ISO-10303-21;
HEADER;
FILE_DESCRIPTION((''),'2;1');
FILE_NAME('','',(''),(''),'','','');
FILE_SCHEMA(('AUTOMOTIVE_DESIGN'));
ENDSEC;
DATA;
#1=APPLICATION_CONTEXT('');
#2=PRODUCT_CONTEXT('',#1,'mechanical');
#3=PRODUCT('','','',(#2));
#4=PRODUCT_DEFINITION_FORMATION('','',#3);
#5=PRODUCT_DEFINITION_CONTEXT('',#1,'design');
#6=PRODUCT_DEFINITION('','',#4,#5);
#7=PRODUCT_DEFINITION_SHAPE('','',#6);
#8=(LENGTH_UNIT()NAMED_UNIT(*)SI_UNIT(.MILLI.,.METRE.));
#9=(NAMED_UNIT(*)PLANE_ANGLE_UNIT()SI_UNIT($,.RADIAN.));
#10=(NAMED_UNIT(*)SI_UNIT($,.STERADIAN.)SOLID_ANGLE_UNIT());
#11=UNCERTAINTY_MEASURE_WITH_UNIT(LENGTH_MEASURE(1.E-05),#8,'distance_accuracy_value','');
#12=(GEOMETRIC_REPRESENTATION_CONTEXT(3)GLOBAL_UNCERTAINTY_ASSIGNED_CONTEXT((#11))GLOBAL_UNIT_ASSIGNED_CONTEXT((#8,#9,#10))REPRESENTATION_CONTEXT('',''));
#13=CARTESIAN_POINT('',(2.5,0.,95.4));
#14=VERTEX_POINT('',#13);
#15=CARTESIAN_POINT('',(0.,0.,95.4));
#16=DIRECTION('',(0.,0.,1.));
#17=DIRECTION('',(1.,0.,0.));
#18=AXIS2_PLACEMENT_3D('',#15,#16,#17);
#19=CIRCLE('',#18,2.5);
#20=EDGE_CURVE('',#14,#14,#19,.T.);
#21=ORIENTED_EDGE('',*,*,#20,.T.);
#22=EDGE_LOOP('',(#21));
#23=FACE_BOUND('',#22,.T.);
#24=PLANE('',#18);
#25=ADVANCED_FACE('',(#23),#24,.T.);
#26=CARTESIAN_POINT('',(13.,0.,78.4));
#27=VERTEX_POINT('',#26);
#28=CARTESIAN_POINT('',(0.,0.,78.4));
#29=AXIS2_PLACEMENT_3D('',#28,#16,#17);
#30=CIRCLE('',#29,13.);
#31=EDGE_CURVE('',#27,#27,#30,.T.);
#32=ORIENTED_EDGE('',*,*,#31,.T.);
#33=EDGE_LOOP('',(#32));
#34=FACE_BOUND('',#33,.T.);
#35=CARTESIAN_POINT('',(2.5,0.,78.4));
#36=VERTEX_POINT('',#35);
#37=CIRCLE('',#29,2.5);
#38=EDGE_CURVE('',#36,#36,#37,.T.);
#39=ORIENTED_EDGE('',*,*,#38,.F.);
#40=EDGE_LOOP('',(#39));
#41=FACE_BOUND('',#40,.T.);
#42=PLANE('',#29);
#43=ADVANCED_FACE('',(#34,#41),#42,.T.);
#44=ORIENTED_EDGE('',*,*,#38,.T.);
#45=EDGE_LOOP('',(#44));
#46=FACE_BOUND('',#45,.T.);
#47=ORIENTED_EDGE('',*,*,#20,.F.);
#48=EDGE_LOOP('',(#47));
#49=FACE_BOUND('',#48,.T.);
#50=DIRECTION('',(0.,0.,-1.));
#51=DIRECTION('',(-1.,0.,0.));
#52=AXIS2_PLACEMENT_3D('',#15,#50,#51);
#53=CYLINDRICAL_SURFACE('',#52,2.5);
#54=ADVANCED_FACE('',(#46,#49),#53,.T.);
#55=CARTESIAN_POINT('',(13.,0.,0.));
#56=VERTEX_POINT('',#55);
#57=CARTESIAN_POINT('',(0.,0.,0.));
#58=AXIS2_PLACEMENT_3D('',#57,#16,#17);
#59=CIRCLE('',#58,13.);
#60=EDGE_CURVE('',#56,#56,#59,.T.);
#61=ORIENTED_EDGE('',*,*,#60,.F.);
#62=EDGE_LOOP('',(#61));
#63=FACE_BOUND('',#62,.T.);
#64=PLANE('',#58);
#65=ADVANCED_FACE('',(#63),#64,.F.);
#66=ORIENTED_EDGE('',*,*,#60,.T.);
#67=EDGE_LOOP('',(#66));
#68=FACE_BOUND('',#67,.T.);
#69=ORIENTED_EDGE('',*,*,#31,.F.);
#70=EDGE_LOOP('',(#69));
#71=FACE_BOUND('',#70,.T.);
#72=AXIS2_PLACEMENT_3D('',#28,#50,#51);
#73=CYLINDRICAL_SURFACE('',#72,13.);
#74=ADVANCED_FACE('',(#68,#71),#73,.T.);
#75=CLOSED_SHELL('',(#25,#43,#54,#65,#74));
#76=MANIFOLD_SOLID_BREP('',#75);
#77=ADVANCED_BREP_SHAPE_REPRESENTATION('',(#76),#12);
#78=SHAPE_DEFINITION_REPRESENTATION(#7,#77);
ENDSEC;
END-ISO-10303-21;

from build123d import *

# Parameters (mm, degrees)
ESQUISSE1_R        = 13
BOSS_EXTRU_1_DEPTH = 78.4
ESQUISSE2_R        = 2.5
BOSS_EXTRU_2_DEPTH = 17


with BuildPart() as part:
    # Esquisse1 → Boss.-Extru.1 (new body)
    with BuildSketch(Plane.XY):
        Circle(ESQUISSE1_R)
    extrude(amount=BOSS_EXTRU_1_DEPTH)

    # Esquisse2 → Boss.-Extru.2 (add)
    with BuildSketch(Plane.XY.offset(78.4)):
        Circle(ESQUISSE2_R)
    extrude(amount=BOSS_EXTRU_2_DEPTH)


solid = part.part
